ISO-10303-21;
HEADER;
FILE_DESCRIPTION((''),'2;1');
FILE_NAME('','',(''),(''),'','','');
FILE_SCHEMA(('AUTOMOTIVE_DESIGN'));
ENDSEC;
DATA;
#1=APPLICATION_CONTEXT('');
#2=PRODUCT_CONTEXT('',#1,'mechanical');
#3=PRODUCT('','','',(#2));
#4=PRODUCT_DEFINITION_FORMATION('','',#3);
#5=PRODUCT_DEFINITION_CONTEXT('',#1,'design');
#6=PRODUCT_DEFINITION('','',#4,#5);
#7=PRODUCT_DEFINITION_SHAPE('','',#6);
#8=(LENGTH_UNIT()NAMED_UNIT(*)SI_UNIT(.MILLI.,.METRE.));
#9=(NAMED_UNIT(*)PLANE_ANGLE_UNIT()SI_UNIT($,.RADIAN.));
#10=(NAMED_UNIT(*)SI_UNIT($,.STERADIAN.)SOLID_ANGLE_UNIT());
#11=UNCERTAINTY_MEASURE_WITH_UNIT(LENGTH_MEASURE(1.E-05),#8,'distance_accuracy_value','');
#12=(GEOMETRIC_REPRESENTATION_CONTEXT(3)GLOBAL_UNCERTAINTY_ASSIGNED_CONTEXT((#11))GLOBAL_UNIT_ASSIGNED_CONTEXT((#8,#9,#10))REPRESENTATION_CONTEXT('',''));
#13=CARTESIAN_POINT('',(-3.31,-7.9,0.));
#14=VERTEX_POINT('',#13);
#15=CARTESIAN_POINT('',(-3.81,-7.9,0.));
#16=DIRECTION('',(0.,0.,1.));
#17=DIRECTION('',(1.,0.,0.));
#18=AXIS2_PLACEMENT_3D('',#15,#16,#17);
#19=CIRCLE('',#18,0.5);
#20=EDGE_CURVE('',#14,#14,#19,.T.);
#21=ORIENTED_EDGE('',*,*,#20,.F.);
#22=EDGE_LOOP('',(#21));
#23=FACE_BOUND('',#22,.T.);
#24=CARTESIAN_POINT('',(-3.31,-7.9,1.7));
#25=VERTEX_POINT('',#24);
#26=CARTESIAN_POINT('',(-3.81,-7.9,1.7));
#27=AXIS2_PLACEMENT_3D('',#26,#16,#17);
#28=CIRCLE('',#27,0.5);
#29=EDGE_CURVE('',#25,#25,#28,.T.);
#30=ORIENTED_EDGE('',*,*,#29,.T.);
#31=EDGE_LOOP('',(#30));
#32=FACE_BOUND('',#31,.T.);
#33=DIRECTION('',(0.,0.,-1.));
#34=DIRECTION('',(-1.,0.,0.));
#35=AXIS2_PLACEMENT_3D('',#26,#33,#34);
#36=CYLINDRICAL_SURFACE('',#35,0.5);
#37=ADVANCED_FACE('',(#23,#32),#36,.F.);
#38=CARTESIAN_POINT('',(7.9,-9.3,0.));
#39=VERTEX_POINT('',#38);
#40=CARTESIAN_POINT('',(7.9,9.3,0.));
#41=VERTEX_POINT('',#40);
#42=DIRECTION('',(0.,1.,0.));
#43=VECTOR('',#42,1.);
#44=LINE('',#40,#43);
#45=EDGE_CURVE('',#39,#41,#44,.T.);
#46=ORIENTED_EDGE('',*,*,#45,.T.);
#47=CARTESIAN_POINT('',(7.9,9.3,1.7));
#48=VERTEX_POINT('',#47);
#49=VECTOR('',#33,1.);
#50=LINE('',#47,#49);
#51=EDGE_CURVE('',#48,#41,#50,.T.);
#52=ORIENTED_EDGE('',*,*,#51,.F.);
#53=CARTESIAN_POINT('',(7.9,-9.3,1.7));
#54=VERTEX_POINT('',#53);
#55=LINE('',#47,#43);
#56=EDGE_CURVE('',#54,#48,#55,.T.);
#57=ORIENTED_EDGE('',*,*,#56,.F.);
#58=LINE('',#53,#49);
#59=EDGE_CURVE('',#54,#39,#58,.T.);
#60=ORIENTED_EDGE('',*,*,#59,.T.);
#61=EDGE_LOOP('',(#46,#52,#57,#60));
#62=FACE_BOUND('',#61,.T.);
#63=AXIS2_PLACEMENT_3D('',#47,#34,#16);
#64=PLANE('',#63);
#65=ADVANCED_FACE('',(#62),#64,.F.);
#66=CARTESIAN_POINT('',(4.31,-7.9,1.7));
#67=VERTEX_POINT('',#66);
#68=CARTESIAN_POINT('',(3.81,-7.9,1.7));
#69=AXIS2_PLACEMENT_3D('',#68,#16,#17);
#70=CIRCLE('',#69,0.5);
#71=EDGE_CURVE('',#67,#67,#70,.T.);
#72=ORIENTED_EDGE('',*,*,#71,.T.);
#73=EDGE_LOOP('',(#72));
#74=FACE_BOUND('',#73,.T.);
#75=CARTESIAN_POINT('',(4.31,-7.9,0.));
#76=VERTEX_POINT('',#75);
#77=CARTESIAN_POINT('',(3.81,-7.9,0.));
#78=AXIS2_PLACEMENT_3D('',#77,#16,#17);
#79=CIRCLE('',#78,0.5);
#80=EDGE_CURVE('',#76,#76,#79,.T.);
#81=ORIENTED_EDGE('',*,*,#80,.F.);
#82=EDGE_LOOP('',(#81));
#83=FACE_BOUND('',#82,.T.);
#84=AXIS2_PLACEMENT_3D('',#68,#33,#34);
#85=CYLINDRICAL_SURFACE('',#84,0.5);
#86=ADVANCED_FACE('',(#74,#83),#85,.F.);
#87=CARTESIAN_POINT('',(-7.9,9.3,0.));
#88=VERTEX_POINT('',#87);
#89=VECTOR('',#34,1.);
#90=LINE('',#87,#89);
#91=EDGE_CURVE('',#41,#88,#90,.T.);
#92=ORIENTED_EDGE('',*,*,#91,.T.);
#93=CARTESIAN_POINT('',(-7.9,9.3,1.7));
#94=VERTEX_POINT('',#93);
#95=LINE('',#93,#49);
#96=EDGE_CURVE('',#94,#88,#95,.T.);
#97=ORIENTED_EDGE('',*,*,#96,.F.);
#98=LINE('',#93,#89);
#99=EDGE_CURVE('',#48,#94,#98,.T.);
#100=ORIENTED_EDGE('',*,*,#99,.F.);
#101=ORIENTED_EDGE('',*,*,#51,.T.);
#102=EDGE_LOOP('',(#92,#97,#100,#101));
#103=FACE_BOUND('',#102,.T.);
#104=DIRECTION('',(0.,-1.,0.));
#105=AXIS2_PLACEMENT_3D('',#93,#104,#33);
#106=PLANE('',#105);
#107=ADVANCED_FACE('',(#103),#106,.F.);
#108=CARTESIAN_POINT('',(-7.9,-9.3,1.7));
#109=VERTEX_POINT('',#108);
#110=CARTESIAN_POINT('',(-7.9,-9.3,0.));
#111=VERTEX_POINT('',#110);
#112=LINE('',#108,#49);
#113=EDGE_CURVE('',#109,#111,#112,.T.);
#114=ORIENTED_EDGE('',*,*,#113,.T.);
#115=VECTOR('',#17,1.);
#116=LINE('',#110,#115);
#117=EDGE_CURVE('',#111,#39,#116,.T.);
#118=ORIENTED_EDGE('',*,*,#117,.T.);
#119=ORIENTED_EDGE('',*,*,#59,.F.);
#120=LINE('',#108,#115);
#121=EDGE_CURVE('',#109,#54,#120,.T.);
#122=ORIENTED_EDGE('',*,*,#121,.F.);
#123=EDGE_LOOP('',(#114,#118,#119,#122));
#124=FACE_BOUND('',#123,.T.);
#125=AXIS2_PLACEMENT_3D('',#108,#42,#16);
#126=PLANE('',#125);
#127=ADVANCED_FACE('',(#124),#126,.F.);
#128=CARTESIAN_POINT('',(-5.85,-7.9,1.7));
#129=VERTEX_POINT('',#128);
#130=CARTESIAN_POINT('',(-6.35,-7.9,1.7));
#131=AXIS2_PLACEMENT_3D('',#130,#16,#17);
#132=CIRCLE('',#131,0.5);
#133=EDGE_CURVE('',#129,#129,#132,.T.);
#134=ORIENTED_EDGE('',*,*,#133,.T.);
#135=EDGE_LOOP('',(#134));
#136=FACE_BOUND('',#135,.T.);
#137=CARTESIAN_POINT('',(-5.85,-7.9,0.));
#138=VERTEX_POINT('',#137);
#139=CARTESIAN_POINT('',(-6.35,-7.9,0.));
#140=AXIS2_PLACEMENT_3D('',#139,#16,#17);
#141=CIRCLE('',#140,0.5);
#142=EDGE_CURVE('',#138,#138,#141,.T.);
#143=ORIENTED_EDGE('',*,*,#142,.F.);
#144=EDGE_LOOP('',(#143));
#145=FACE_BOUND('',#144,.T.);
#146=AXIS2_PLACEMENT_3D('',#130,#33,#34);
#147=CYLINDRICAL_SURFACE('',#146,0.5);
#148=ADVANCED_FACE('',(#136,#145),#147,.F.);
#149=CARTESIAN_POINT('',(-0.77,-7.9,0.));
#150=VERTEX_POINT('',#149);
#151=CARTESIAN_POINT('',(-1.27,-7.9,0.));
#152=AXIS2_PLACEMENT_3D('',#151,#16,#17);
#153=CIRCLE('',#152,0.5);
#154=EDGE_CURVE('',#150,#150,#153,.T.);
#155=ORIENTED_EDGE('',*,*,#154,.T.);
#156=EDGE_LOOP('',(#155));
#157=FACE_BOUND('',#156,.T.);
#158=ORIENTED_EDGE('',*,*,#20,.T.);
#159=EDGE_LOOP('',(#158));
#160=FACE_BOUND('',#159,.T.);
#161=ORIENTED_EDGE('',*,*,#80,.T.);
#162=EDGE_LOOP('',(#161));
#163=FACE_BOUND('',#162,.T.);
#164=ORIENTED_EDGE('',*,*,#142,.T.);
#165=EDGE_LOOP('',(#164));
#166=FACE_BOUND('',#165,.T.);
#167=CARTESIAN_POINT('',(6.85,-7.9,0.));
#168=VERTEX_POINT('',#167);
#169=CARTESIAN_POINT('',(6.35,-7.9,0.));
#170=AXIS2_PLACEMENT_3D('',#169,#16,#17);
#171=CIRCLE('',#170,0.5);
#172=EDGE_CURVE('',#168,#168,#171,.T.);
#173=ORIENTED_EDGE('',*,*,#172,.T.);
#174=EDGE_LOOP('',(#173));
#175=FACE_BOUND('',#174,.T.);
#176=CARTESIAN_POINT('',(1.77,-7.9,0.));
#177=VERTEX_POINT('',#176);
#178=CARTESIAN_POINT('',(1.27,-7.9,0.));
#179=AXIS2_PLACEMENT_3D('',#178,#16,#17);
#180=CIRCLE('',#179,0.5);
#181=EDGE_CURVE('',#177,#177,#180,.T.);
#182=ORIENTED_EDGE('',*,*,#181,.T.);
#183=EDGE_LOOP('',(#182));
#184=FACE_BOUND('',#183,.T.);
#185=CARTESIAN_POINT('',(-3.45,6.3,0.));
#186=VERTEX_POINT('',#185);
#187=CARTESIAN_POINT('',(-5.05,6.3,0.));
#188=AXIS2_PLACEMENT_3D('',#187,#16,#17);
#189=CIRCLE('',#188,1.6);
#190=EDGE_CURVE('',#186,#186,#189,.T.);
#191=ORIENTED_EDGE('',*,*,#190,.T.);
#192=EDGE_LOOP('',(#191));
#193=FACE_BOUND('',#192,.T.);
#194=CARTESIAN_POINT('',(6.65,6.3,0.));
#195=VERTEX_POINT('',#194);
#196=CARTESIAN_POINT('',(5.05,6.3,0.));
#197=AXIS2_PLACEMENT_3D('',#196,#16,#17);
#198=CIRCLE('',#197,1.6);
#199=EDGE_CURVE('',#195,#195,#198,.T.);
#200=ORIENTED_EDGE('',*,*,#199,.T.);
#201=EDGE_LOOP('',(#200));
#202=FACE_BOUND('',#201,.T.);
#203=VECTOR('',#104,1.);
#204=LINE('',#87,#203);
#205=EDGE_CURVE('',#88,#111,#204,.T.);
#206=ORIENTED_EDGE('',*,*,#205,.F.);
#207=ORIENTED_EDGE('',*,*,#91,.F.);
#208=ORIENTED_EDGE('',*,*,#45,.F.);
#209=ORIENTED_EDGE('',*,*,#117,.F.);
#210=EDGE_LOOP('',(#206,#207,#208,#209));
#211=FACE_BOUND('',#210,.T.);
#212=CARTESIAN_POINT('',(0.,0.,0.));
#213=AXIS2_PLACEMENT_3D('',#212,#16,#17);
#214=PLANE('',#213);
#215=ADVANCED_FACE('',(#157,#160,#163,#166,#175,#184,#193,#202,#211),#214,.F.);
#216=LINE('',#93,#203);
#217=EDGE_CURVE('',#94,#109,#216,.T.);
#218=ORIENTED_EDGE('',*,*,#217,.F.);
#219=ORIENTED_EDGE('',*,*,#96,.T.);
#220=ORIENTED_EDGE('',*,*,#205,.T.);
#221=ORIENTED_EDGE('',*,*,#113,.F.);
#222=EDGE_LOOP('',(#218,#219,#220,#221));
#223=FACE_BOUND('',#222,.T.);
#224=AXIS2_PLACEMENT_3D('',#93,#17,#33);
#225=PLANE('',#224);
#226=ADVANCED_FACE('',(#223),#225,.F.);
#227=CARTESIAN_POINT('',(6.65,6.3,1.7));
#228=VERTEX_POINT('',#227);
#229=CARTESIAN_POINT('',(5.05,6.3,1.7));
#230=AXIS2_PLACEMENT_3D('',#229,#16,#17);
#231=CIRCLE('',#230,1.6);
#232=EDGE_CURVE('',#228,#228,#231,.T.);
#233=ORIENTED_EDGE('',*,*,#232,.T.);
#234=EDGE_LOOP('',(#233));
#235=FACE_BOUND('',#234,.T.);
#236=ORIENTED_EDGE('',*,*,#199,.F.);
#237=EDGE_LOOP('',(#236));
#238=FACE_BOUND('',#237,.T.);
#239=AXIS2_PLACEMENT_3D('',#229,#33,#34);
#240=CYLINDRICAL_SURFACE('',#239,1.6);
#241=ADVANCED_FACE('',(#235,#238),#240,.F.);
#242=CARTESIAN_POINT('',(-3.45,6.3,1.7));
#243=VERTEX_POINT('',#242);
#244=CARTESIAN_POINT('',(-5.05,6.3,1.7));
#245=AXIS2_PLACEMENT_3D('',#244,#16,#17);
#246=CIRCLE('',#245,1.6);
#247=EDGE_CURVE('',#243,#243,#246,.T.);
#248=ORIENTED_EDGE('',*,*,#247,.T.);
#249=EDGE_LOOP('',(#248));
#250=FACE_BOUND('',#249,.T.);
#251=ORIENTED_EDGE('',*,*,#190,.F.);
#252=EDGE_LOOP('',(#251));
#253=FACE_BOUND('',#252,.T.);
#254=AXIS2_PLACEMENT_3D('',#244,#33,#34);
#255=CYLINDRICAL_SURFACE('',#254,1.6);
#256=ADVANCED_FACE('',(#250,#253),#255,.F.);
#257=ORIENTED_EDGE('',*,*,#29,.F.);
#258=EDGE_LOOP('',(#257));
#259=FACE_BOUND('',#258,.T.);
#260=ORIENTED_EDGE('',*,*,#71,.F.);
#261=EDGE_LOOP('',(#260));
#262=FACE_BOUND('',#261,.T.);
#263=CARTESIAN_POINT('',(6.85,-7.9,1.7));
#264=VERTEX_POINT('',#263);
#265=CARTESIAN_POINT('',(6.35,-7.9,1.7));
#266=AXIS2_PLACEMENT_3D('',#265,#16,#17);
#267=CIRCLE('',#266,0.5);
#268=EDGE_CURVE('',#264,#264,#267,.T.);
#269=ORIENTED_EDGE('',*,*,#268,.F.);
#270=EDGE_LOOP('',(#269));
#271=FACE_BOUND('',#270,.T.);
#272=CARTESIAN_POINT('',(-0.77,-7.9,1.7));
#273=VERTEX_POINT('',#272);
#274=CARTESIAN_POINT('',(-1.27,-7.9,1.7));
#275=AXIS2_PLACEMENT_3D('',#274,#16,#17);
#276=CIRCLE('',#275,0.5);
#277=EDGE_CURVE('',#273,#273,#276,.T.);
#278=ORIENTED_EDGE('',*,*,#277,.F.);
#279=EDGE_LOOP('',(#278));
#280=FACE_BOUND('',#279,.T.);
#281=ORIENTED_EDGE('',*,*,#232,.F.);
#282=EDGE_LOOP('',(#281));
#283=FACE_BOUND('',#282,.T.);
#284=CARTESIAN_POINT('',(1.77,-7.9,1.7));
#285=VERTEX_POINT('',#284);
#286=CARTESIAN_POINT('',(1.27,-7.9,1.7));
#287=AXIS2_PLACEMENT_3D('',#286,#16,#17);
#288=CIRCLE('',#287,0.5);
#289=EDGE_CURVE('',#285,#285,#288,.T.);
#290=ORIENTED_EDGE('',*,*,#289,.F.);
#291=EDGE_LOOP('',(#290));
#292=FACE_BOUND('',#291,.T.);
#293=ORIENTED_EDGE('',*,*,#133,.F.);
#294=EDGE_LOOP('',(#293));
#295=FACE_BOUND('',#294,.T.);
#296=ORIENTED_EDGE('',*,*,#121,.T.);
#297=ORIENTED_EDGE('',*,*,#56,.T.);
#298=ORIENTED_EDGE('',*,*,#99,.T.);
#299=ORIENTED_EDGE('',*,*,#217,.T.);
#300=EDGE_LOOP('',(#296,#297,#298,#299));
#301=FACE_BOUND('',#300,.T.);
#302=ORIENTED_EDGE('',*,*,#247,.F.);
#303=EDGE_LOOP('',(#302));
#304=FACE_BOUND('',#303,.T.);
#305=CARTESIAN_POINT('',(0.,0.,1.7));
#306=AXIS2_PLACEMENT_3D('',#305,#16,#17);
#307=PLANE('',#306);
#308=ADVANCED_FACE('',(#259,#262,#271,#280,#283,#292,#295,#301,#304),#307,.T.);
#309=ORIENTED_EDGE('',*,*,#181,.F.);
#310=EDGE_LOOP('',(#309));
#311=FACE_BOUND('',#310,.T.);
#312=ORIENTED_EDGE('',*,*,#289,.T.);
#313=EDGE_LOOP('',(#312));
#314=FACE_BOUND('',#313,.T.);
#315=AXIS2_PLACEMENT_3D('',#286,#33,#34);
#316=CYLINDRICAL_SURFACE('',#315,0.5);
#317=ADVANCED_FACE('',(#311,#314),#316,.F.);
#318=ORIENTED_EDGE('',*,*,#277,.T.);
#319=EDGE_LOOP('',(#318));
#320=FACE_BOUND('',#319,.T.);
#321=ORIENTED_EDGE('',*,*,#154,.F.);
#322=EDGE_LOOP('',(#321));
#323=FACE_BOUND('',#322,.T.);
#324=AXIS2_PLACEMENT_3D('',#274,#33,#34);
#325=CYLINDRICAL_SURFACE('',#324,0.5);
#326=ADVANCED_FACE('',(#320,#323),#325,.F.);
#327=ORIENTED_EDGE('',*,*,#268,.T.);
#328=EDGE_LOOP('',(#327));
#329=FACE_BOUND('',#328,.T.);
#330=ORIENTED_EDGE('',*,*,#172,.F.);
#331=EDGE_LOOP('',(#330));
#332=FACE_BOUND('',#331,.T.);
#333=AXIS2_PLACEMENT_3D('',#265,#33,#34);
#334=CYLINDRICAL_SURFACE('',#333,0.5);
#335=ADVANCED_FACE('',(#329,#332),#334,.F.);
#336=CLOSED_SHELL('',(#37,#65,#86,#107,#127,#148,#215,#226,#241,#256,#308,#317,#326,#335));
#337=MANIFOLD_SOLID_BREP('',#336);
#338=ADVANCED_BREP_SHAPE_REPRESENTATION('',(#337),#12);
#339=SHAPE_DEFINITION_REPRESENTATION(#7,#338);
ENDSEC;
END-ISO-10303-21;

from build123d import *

# Parameters (mm, degrees)
SKETCH1_W           = 15.8
SKETCH1_H           = 18.6
SKETCH1_R           = 1.6
SKETCH1_R_2         = 0.5
BOSS_EXTRUDE1_DEPTH = 1.7


with BuildPart() as part:
    # Sketch1 → Boss-Extrude1 (new body)
    with BuildSketch(Plane.XY):
        Rectangle(SKETCH1_W, SKETCH1_H)
        with Locations((-5.05, 6.3)):
            Circle(SKETCH1_R, mode=Mode.SUBTRACT)
        with Locations((5.05, 6.3)):
            Circle(SKETCH1_R, mode=Mode.SUBTRACT)
        with Locations((-6.35, -7.9)):
            Circle(SKETCH1_R_2, mode=Mode.SUBTRACT)
        with Locations((-3.81, -7.9)):
            Circle(SKETCH1_R_2, mode=Mode.SUBTRACT)
        with Locations((-1.27, -7.9)):
            Circle(SKETCH1_R_2, mode=Mode.SUBTRACT)
        with Locations((1.27, -7.9)):
            Circle(SKETCH1_R_2, mode=Mode.SUBTRACT)
        with Locations((3.81, -7.9)):
            Circle(SKETCH1_R_2, mode=Mode.SUBTRACT)
        with Locations((6.35, -7.9)):
            Circle(SKETCH1_R_2, mode=Mode.SUBTRACT)
    extrude(amount=BOSS_EXTRUDE1_DEPTH)


solid = part.part
